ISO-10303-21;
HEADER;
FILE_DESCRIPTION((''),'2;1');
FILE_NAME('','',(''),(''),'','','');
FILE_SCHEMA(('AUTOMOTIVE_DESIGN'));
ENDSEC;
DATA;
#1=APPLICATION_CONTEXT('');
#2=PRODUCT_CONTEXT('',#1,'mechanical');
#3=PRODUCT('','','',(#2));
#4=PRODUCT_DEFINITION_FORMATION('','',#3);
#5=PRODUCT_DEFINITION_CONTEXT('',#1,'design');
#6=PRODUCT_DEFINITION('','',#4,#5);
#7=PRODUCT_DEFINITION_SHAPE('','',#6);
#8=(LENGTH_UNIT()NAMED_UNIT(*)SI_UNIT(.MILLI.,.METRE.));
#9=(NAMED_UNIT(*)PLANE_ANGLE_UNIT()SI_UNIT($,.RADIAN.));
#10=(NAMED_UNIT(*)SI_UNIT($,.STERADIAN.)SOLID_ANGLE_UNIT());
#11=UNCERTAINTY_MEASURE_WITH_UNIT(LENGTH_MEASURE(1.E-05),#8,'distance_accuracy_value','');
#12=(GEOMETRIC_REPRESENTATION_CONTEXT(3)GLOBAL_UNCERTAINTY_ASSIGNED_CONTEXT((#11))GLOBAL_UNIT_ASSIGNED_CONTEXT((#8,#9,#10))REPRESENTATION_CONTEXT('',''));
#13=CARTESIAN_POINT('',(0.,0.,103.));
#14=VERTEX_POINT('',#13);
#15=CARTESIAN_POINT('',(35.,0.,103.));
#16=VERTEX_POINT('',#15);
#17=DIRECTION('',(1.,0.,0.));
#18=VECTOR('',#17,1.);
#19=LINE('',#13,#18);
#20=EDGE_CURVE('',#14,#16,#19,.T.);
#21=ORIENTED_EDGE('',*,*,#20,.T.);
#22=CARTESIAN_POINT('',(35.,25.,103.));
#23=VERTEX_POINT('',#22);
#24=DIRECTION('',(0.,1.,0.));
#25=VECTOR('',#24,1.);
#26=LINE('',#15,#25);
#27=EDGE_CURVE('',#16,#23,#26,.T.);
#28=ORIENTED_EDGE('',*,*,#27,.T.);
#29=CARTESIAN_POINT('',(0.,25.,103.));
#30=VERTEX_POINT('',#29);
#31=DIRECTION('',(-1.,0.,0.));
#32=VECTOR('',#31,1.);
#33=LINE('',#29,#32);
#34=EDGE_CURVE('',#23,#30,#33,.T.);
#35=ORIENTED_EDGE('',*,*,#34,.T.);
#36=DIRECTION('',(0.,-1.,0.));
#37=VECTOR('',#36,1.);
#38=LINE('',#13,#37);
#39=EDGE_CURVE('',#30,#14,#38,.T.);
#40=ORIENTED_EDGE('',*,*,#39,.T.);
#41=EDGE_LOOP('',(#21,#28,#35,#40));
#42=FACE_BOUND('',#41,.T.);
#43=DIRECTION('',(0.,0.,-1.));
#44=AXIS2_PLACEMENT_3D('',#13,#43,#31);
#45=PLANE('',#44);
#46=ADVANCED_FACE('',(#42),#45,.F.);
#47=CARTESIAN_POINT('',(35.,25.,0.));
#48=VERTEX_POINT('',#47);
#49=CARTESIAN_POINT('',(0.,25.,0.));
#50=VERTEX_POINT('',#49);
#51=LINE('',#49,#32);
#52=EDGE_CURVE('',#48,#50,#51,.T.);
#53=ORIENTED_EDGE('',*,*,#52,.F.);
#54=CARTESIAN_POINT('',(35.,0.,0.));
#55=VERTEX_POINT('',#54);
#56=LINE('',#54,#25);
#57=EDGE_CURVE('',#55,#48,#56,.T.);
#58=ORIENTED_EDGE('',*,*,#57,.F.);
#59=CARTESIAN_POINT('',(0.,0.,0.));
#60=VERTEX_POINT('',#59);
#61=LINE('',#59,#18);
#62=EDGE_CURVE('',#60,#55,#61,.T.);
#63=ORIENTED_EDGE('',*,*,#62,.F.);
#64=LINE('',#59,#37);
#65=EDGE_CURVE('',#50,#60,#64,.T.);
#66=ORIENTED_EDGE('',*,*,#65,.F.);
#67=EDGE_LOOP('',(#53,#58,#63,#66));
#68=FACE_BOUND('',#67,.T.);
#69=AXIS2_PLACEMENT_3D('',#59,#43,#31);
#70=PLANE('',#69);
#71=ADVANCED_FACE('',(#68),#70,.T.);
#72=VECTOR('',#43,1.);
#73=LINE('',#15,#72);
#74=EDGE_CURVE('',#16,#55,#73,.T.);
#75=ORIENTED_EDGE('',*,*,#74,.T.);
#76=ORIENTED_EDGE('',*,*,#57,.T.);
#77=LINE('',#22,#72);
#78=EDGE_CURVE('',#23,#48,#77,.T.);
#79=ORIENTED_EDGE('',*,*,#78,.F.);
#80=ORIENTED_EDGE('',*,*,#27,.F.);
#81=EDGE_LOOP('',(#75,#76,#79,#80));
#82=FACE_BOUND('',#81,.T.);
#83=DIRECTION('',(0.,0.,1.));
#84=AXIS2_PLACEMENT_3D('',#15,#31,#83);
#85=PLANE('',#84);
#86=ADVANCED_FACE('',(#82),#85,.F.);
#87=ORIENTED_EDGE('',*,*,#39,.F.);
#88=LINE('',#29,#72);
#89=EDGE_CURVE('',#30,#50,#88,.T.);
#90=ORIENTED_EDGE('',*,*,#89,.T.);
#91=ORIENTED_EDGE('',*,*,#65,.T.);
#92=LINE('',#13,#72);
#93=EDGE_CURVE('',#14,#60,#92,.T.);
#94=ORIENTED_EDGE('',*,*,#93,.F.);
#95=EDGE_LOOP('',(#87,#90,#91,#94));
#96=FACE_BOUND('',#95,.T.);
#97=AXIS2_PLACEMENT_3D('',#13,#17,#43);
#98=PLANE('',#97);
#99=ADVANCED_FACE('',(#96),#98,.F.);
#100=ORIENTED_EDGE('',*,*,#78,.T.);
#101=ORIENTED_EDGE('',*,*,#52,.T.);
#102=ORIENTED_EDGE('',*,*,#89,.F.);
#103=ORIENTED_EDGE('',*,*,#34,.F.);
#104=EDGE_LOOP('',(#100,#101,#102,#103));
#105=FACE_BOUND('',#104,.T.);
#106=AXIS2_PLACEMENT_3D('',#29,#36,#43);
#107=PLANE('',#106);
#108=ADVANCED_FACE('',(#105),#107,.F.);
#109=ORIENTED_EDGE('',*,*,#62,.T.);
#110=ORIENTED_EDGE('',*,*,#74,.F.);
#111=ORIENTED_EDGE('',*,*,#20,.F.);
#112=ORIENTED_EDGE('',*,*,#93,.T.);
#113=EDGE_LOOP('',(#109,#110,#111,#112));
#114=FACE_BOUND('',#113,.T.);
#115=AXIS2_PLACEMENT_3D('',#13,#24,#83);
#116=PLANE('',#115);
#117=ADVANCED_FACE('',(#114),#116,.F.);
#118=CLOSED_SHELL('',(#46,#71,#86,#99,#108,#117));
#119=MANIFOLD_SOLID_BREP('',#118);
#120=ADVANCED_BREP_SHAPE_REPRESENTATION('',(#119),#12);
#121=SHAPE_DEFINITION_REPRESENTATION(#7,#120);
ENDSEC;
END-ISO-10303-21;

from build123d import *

# Parameters (mm, degrees)
SKETCH_1_W      = 35
SKETCH_1_H      = 25
EXTRUDE_1_DEPTH = 103


with BuildPart() as part:
    # 草图1 → 凸台-拉伸1 (new body)
    with BuildSketch(Plane.XY):
        with Locations((17.5, 12.5)):
            Rectangle(SKETCH_1_W, SKETCH_1_H)
    extrude(amount=EXTRUDE_1_DEPTH)


solid = part.part
